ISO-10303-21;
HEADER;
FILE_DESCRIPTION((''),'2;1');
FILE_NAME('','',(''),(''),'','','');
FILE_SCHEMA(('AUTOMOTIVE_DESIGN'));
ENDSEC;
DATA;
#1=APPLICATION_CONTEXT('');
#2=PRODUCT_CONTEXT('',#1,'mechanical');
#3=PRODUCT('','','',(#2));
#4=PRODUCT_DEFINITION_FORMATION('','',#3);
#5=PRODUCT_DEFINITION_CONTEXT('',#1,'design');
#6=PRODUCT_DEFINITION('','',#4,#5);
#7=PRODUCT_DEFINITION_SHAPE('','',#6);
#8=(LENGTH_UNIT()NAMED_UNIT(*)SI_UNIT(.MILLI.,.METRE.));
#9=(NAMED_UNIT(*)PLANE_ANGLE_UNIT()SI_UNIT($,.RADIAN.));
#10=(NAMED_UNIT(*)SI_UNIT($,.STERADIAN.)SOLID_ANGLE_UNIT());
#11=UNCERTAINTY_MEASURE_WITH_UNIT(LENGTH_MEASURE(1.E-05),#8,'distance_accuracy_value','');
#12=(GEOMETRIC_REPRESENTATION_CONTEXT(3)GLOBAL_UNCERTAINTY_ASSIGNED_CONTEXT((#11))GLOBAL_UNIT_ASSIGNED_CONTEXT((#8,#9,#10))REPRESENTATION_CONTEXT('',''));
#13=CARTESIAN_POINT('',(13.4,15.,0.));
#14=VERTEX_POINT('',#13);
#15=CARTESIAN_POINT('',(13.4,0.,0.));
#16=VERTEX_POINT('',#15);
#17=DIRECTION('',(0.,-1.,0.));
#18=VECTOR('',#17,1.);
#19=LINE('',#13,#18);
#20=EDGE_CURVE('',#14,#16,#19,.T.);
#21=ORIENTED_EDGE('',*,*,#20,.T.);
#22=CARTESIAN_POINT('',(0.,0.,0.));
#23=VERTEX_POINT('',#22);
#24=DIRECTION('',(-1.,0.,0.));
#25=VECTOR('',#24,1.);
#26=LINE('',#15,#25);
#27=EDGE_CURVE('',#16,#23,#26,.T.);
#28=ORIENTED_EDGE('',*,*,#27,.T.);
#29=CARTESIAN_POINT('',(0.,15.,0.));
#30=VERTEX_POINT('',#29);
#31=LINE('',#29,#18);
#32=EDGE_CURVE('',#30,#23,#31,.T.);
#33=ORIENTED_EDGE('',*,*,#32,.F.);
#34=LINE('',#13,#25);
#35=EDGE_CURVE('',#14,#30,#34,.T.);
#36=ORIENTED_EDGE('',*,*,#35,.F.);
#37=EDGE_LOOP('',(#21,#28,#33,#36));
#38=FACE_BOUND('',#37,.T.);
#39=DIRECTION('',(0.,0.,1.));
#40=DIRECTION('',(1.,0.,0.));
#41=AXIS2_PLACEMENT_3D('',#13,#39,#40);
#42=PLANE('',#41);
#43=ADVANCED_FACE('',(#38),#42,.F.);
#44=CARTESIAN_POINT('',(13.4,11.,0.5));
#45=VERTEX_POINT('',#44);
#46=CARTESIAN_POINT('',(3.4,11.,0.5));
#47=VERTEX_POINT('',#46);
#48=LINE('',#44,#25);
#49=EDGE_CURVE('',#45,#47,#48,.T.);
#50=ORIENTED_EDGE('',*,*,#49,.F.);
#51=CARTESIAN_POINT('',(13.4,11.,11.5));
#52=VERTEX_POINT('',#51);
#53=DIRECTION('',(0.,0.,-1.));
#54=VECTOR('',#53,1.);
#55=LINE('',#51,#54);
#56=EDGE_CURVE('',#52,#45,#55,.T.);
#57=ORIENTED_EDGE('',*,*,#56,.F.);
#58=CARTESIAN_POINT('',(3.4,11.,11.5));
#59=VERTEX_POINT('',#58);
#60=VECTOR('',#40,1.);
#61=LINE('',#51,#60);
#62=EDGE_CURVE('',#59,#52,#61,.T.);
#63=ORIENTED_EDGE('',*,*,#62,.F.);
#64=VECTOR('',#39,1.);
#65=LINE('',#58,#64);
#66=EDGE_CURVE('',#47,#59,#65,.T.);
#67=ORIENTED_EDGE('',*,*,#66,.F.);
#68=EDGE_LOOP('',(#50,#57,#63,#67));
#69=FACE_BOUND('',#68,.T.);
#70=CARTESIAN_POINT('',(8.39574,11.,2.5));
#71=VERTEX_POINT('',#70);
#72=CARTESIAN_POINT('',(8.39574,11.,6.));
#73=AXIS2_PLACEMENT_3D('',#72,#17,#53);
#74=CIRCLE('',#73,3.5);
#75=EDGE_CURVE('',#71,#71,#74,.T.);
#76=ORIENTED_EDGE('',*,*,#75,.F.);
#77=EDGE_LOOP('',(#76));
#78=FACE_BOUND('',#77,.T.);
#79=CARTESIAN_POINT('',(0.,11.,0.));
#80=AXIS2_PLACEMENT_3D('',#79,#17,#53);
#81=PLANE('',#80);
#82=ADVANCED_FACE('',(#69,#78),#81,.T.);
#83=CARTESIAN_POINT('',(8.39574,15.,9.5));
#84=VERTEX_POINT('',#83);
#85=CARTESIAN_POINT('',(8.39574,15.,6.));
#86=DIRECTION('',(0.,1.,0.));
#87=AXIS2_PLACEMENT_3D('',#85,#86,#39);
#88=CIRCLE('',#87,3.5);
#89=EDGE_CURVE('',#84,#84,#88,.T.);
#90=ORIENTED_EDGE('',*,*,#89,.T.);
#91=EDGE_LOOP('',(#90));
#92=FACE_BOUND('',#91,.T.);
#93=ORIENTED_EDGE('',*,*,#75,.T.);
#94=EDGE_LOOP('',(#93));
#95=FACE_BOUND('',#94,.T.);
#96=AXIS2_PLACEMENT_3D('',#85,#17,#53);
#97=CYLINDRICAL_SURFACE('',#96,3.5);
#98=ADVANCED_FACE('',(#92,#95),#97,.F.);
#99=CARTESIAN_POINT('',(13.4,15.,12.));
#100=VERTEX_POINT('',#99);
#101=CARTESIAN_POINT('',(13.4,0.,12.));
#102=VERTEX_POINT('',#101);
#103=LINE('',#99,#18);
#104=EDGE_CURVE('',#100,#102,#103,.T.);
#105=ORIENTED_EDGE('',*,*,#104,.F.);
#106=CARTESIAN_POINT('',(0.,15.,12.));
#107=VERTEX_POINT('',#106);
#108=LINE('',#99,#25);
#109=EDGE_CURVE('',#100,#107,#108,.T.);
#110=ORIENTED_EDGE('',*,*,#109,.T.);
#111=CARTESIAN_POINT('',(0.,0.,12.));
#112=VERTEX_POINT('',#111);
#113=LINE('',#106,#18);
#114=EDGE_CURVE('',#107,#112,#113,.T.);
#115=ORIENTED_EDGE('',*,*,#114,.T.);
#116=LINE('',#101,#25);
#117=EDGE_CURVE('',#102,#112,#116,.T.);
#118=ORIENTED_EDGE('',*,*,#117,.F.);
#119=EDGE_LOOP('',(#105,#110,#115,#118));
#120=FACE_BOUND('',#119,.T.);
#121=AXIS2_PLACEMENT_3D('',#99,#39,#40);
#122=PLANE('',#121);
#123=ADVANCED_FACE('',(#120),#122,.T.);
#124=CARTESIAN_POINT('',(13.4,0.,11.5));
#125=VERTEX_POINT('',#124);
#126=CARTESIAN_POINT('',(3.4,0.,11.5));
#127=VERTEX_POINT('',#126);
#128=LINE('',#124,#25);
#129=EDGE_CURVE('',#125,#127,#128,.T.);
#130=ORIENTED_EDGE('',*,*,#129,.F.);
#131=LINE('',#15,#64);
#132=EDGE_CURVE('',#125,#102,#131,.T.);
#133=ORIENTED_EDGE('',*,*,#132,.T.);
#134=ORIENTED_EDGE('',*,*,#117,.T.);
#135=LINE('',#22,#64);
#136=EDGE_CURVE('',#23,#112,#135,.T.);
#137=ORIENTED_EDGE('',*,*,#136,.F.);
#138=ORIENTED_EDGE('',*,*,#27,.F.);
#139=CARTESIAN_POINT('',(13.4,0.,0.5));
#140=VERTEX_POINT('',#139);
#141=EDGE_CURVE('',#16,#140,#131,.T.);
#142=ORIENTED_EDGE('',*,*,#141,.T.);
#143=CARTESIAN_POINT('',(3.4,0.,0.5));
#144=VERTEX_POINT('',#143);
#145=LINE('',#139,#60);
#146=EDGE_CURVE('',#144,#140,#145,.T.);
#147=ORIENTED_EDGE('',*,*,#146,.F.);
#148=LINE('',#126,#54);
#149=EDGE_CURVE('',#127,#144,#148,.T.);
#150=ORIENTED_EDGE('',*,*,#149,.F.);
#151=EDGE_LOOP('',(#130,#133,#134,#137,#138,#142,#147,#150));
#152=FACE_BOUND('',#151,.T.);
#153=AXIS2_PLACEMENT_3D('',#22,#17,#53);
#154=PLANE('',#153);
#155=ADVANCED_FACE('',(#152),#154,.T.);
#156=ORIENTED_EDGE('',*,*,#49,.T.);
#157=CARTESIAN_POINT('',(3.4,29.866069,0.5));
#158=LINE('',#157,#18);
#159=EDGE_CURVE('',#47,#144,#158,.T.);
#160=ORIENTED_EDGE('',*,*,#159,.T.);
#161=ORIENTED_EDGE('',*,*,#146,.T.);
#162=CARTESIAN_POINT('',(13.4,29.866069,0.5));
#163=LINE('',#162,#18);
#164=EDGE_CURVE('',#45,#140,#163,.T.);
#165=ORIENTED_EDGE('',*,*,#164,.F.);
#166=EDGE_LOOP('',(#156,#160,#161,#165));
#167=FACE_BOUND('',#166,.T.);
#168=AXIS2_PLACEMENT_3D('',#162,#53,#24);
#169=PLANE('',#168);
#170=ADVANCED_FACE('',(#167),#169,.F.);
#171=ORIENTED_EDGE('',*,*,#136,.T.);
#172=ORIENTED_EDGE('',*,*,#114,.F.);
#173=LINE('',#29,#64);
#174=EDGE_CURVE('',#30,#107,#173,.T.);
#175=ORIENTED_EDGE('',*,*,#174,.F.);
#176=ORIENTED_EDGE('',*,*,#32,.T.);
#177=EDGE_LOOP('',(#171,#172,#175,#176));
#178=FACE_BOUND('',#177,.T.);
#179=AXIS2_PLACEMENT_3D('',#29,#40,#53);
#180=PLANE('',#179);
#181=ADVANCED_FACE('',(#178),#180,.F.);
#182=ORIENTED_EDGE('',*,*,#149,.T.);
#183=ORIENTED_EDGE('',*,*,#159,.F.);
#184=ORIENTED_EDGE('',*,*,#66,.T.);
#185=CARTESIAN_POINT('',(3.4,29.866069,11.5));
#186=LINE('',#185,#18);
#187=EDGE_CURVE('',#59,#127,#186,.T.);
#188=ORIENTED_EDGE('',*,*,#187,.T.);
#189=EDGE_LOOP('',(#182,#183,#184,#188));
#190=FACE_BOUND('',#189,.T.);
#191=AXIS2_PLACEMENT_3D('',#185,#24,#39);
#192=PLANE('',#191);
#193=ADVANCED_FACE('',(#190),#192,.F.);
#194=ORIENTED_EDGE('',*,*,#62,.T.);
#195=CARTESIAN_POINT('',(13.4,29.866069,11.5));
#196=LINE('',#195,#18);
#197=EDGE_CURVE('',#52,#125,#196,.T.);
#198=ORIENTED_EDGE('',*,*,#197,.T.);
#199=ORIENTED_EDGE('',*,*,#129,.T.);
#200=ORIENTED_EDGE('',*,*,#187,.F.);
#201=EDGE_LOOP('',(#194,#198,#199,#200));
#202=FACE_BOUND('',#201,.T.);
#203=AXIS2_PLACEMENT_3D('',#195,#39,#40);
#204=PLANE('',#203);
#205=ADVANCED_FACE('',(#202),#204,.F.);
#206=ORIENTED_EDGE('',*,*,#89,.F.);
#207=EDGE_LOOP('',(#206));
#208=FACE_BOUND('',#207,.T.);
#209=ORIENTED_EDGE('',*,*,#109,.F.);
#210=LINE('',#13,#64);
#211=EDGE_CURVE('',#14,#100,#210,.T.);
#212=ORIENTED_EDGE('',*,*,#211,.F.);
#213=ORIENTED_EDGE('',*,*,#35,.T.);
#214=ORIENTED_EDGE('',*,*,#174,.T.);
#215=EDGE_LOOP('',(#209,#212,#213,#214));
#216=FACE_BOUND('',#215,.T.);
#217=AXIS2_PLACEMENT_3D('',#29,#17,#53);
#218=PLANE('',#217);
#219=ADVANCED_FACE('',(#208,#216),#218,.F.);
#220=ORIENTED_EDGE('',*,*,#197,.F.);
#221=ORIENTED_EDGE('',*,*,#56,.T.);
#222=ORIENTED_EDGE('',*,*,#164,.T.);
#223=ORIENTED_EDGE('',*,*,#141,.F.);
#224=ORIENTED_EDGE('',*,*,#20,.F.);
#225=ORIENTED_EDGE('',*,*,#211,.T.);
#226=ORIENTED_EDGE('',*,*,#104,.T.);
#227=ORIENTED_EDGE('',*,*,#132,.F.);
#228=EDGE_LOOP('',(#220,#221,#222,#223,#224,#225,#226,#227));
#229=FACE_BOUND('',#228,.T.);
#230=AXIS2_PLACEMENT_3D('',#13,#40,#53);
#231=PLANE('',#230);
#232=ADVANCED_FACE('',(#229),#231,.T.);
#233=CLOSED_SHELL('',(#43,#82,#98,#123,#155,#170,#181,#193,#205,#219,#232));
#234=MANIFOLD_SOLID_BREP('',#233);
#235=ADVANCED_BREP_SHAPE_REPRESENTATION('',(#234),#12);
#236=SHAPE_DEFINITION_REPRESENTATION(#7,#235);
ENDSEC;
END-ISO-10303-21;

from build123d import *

# Parameters (mm, degrees)
SKETCH_2_W          = 13.4
SKETCH_2_H          = 12
SKETCH_2_R          = 3.5
EXTRUDE_2_DEPTH     = 15
SKETCH_3_W          = 10
SKETCH_3_H          = 11
CUT_EXTRUDE_1_DEPTH = 11


with BuildPart() as part:
    # 草图2 → 凸台-拉伸2 (new body)
    with BuildSketch(Plane(origin=(0, 0, 0), x_dir=(1, 0, 0), z_dir=(0, 1, 0))):
        with Locations((6.7, -6)):
            Rectangle(SKETCH_2_W, SKETCH_2_H)
        with Locations(Location((8.395740059, -6, 0), (0, 0, 270))):
            Circle(SKETCH_2_R, mode=Mode.SUBTRACT)
    extrude(amount=EXTRUDE_2_DEPTH)

    # 草图3 → 切除-拉伸1 (cut)
    with BuildSketch(Plane.XZ):
        with Locations((8.4, 6)):
            Rectangle(SKETCH_3_W, SKETCH_3_H)
    extrude(amount=-CUT_EXTRUDE_1_DEPTH, mode=Mode.SUBTRACT)


solid = part.part
